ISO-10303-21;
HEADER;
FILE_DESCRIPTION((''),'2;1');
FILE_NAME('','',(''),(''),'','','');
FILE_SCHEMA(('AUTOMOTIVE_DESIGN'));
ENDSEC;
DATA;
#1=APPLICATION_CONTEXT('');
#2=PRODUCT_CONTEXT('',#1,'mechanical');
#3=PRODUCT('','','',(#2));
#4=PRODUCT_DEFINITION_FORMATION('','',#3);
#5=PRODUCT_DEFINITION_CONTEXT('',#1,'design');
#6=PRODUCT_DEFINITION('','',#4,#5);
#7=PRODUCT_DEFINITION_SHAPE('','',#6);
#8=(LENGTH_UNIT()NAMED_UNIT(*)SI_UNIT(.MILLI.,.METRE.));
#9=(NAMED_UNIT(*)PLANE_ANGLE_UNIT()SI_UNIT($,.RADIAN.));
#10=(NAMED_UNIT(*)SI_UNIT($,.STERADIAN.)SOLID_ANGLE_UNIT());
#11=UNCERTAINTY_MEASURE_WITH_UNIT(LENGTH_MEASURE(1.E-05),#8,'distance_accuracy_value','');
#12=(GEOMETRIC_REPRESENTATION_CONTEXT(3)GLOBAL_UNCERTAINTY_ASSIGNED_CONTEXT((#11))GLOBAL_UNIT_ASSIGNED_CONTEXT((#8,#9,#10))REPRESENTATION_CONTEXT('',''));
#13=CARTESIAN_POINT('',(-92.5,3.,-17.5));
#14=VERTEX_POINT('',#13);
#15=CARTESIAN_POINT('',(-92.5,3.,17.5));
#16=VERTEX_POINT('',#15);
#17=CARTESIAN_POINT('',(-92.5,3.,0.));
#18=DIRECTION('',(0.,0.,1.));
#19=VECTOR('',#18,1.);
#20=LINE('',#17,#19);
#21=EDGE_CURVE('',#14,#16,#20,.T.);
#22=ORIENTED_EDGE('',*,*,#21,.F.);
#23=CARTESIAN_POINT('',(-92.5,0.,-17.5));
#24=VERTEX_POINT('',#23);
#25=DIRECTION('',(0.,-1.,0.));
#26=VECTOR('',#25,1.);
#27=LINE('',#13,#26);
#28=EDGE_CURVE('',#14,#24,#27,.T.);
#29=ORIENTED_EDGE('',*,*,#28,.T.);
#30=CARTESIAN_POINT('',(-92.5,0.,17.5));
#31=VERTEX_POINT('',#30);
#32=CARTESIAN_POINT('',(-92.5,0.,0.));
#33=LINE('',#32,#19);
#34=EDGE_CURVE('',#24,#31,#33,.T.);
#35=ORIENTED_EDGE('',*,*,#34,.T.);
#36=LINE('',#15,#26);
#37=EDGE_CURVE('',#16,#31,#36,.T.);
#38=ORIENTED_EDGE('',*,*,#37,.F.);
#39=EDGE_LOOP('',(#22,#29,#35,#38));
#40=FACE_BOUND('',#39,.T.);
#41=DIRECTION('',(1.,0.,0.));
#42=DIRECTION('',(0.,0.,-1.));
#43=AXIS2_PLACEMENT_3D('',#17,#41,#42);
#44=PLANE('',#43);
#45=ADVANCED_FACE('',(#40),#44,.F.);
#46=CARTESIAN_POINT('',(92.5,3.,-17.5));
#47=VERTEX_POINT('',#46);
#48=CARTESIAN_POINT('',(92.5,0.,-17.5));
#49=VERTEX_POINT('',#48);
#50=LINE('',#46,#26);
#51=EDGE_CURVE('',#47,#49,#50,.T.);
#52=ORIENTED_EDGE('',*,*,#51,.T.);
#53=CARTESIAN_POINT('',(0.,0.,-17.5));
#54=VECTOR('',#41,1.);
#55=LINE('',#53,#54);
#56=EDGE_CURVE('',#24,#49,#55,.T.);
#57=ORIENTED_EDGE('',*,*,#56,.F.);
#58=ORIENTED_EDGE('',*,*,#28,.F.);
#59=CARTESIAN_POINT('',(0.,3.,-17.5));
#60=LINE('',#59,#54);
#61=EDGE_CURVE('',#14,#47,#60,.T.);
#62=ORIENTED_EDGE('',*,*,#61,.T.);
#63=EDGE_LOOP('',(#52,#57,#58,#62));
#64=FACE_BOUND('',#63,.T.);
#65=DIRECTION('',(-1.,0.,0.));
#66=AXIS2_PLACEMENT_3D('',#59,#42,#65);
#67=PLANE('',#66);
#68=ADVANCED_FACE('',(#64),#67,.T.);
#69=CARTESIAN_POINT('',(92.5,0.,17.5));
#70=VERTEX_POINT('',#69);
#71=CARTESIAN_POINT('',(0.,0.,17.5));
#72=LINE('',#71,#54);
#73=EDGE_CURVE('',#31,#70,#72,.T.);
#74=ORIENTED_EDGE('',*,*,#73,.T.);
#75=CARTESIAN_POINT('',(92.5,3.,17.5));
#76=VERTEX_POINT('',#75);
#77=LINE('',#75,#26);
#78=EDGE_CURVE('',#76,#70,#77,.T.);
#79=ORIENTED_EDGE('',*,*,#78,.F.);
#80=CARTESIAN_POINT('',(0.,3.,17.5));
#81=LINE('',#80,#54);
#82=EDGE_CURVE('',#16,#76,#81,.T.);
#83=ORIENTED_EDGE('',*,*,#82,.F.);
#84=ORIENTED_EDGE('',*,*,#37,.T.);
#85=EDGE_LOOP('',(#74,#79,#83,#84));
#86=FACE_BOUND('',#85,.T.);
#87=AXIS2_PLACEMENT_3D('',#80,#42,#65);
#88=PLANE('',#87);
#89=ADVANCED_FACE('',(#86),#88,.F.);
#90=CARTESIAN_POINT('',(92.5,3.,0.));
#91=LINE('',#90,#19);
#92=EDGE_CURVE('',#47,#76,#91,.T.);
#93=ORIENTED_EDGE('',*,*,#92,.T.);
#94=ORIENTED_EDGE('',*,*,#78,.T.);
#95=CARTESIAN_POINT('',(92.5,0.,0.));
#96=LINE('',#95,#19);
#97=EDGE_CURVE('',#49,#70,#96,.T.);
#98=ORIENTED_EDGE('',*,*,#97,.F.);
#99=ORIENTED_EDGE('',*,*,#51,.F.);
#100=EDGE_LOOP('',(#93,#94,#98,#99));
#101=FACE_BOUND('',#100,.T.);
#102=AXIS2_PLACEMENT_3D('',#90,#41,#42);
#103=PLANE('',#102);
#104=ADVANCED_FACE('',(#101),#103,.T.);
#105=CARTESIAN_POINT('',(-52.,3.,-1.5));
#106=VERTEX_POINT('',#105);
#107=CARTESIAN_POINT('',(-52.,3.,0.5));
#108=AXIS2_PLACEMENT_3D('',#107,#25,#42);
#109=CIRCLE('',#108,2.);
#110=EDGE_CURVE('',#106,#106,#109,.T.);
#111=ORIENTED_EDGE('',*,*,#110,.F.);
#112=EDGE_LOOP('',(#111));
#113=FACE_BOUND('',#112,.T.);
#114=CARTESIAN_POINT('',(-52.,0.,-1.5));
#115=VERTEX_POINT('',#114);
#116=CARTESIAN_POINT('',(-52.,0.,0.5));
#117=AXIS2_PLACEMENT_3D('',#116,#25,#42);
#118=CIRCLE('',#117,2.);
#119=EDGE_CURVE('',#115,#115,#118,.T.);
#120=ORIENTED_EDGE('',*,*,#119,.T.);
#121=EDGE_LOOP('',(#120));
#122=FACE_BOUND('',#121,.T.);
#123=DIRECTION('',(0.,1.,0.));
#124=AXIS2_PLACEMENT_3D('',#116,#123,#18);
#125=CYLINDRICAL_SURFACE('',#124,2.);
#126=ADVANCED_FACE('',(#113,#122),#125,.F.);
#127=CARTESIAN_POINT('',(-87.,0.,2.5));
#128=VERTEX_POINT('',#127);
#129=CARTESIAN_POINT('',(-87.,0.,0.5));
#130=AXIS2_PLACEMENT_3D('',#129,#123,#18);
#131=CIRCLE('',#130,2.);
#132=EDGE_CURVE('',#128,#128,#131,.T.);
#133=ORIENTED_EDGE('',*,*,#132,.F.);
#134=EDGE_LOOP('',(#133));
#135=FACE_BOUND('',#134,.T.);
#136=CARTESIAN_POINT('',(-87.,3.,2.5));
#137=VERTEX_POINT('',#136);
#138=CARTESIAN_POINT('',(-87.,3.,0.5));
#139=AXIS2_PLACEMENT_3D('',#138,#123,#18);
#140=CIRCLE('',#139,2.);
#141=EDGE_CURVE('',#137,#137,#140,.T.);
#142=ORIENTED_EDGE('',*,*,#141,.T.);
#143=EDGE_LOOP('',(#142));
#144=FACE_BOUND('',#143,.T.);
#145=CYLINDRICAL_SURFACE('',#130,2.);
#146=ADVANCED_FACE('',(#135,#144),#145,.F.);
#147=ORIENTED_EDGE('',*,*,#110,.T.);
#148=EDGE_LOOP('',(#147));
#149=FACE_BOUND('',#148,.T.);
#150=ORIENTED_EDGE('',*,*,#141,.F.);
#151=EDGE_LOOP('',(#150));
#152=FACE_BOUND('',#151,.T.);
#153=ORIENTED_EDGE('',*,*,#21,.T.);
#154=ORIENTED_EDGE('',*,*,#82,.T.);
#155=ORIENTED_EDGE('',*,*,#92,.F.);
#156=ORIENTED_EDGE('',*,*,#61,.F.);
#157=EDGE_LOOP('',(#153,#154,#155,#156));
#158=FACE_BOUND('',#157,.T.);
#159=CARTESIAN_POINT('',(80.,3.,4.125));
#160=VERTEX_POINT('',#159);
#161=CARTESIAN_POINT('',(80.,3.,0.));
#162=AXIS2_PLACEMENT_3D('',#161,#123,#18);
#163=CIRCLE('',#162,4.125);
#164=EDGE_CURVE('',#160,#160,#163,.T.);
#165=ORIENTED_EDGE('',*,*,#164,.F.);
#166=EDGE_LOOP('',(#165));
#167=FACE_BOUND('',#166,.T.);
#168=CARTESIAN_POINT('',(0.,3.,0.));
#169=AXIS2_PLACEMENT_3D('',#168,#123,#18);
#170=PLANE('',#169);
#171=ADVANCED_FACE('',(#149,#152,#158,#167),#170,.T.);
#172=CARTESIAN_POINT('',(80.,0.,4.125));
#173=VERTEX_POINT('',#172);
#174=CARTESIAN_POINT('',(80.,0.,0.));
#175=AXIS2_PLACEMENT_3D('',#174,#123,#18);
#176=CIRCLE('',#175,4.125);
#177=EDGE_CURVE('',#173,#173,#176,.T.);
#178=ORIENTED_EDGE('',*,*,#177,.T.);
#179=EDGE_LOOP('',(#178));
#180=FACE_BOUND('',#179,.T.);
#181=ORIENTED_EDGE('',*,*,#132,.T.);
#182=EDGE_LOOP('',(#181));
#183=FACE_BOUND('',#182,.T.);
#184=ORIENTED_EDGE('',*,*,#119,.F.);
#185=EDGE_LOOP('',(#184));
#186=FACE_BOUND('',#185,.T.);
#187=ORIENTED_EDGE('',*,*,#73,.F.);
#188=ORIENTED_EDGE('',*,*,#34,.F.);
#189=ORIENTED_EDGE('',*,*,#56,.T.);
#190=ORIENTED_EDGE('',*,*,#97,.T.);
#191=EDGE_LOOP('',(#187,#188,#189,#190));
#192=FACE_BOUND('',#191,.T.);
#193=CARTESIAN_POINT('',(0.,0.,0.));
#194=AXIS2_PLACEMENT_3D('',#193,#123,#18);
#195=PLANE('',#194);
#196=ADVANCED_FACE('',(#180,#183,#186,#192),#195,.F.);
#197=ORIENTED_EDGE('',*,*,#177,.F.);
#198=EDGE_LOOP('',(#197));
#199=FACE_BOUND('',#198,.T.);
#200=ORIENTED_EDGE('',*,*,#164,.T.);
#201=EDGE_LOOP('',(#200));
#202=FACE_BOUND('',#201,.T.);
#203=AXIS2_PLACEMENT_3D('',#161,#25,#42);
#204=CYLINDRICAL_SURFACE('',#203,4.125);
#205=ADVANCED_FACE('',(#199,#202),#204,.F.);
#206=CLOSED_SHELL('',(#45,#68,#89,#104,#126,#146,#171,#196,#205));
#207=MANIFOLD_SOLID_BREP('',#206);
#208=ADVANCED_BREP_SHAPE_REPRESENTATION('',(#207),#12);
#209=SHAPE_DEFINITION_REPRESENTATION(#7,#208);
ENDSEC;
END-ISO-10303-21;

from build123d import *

# Parameters (mm, degrees)
SKETCH1_W           = 185
SKETCH1_H           = 35
SKETCH1_R           = 4.125
BOSS_EXTRUDE1_DEPTH = 3
SKETCH2_R           = 2
CUT_EXTRUDE1_DEPTH  = 4


with BuildPart() as part:
    # Sketch1 → Boss-Extrude1 (new body)
    with BuildSketch(Plane(origin=(0, 0, 0), x_dir=(1, 0, 0), z_dir=(0, 1, 0))):
        Rectangle(SKETCH1_W, SKETCH1_H)
        with Locations((80, 0)):
            Circle(SKETCH1_R, mode=Mode.SUBTRACT)
    extrude(amount=BOSS_EXTRUDE1_DEPTH)

    # Sketch2 → Cut-Extrude1 (cut, through all)
    with BuildSketch(Plane(origin=(0, 3, 0), x_dir=(1, 0, 0), z_dir=(0, 1, 0))):
        with Locations((-87, -0.5)):
            Circle(SKETCH2_R)
        with Locations((-52, -0.5)):
            Circle(SKETCH2_R)
    extrude(amount=-CUT_EXTRUDE1_DEPTH, mode=Mode.SUBTRACT)


solid = part.part
